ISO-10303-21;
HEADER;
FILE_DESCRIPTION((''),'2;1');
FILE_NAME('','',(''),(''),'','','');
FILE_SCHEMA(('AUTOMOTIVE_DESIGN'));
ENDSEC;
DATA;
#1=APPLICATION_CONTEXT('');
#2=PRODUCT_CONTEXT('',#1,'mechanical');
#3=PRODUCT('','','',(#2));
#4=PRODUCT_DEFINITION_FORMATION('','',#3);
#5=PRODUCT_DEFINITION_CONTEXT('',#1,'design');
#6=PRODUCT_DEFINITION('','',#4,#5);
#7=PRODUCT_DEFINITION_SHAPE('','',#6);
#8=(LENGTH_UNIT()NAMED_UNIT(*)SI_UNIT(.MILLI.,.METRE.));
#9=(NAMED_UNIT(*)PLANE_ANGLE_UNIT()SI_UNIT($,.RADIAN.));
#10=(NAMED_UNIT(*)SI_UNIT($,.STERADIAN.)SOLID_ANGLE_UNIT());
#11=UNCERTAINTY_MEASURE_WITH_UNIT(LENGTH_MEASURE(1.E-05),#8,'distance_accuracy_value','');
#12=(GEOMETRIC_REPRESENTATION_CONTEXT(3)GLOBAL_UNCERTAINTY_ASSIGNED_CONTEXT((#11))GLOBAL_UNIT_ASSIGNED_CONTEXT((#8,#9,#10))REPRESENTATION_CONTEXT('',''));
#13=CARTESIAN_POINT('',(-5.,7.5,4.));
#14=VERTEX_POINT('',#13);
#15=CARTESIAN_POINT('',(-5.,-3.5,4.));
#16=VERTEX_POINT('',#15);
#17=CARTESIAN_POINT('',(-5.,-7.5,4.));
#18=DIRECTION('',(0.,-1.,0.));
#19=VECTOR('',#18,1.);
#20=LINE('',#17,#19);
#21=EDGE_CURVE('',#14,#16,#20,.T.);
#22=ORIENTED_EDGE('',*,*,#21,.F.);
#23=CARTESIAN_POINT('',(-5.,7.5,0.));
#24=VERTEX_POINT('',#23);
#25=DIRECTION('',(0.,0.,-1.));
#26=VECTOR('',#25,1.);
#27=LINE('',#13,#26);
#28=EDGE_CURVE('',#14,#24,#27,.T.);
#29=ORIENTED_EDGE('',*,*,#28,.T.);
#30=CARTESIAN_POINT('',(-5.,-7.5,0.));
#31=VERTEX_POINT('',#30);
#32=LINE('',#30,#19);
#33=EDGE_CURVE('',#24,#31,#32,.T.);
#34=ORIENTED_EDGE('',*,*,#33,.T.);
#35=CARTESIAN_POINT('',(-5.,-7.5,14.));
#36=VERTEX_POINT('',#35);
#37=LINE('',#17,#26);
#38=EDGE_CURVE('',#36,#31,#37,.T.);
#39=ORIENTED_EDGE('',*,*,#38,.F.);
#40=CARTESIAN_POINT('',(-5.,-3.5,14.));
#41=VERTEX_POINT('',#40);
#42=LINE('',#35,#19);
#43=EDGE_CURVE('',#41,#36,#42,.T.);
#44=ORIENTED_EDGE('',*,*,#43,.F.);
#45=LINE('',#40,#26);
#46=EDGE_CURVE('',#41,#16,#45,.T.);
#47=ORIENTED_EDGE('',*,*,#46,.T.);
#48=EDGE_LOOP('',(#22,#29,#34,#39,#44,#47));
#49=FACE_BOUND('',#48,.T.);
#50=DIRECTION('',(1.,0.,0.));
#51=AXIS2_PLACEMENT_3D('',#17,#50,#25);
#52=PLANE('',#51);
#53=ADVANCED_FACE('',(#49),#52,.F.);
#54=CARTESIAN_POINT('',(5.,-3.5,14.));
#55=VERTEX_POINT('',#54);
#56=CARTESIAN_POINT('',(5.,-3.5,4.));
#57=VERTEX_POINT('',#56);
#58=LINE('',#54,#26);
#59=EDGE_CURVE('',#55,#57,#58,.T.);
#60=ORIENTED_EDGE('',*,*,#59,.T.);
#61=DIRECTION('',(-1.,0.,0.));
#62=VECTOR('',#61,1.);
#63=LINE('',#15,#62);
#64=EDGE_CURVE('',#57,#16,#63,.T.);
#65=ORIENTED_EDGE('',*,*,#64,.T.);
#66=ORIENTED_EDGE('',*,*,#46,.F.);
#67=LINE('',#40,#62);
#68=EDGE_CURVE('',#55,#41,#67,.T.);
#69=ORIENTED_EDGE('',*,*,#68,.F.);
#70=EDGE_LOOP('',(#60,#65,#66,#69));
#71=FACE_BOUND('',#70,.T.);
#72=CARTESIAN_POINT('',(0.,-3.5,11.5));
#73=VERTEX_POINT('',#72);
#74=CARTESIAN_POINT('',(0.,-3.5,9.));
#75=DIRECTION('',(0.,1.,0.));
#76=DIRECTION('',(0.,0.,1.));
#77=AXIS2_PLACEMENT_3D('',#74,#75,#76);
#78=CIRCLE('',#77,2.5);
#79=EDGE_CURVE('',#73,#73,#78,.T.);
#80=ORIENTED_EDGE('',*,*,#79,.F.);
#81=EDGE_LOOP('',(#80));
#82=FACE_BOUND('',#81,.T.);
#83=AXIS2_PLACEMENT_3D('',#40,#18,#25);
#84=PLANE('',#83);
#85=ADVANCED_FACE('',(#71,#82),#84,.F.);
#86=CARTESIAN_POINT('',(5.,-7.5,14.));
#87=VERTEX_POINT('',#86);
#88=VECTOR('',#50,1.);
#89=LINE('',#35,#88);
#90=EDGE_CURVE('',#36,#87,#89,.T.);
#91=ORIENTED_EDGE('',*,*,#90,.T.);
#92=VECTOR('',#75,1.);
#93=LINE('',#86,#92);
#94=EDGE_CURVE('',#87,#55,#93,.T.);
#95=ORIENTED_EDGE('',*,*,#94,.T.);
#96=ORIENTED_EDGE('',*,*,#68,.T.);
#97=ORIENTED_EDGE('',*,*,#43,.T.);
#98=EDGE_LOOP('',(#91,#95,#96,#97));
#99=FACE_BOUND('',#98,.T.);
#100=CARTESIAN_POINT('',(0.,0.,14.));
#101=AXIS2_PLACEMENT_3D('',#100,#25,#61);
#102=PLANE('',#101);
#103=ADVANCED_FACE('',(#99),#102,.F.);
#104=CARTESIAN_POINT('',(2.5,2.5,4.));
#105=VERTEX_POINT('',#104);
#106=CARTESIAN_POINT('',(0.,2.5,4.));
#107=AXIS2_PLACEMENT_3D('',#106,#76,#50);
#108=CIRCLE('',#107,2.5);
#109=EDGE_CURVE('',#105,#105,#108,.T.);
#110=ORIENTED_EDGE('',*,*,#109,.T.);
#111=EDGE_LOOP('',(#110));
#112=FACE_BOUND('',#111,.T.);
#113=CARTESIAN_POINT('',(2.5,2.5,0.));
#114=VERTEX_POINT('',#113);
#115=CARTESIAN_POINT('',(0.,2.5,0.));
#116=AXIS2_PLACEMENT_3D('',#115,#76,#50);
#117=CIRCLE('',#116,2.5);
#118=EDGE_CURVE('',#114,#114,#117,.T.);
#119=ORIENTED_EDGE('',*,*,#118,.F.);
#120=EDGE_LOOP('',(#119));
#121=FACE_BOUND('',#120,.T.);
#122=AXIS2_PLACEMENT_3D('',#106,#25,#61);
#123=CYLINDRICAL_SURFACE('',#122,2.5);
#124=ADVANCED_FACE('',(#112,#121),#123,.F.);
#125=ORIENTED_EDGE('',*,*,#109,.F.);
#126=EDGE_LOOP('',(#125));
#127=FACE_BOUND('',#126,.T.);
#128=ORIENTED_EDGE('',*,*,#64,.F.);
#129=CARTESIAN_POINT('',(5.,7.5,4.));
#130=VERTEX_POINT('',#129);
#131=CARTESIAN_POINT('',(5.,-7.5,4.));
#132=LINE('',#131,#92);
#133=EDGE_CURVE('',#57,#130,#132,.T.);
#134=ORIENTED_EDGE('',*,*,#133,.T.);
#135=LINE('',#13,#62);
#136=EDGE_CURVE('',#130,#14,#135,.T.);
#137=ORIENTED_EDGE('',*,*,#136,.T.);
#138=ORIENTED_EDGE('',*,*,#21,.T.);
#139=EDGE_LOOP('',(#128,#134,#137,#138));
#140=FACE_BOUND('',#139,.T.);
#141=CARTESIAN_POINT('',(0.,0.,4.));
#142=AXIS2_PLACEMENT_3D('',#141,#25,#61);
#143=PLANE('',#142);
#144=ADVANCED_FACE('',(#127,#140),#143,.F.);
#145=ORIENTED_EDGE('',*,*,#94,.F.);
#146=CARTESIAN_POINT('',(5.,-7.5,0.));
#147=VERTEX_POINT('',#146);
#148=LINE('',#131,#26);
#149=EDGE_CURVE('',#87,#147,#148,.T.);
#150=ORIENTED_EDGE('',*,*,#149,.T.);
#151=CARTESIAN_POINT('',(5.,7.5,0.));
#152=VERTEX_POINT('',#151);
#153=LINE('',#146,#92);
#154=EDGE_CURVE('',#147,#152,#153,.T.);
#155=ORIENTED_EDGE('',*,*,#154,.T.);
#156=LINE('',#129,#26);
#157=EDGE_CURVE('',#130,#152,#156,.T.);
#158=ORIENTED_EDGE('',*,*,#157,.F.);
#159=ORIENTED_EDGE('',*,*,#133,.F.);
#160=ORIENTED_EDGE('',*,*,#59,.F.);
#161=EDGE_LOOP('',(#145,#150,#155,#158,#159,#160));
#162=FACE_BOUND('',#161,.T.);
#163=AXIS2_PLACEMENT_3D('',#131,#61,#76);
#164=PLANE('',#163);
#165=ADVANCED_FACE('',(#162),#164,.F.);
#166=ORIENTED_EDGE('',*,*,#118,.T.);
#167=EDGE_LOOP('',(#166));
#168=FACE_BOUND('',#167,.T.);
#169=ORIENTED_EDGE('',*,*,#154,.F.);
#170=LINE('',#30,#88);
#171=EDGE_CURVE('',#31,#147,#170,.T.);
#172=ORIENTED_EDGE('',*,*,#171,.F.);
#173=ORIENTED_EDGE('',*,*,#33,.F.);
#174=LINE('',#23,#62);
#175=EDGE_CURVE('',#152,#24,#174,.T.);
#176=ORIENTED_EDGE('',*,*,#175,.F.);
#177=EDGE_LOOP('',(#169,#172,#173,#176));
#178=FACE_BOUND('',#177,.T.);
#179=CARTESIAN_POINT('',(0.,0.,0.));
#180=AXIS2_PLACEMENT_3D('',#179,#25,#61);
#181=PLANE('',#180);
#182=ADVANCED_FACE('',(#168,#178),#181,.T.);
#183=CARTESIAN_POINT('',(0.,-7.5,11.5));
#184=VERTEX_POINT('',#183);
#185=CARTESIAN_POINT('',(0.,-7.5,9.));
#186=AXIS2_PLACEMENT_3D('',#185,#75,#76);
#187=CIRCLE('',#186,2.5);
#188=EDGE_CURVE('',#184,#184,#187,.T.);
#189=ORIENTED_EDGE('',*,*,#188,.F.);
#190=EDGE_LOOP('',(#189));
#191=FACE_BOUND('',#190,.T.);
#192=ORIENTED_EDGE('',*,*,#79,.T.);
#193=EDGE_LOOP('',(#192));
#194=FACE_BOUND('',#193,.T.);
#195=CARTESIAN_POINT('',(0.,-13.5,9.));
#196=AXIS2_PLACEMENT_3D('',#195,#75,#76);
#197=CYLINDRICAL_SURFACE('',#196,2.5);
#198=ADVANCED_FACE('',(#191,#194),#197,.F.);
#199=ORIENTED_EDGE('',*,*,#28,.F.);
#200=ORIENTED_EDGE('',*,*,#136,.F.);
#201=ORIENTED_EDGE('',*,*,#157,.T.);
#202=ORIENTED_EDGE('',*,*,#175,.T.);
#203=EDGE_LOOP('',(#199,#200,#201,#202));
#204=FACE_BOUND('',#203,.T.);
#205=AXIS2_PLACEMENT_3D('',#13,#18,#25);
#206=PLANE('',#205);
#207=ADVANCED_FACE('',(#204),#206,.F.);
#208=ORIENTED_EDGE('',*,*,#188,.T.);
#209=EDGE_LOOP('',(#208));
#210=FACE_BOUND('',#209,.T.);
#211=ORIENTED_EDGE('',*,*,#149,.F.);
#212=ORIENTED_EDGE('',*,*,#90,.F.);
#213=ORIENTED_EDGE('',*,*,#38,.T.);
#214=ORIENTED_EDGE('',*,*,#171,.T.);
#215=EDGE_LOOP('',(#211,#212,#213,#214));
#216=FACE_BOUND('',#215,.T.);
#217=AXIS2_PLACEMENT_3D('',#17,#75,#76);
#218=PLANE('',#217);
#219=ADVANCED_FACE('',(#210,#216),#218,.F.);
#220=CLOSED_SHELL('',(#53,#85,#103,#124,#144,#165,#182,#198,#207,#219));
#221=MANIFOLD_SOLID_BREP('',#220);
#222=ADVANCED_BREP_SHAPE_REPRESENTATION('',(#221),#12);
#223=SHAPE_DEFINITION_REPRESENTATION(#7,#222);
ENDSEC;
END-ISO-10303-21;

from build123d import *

# Parameters (mm, degrees)
SKETCH1_W           = 10
SKETCH1_H           = 15
SKETCH1_R           = 2.5
BOSS_EXTRUDE1_DEPTH = 4
SKETCH2_W           = 10
SKETCH2_H           = 4
BOSS_EXTRUDE2_DEPTH = 10
SKETCH3_R           = 2.5
CUT_EXTRUDE1_DEPTH  = 10


with BuildPart() as part:
    # Sketch1 → Boss-Extrude1 (new body)
    with BuildSketch(Plane.XY):
        Rectangle(SKETCH1_W, SKETCH1_H)
        with Locations((0, 2.5)):
            Circle(SKETCH1_R, mode=Mode.SUBTRACT)
    extrude(amount=BOSS_EXTRUDE1_DEPTH)

    # Sketch2 → Boss-Extrude2 (add)
    with BuildSketch(Plane.XY.offset(4)):
        with Locations((0, -5.5)):
            Rectangle(SKETCH2_W, SKETCH2_H)
    extrude(amount=BOSS_EXTRUDE2_DEPTH)

    # Sketch3 → Cut-Extrude1 (cut)
    with BuildSketch(Plane(origin=(0, -3.5, 0), x_dir=(1, 0, 0), z_dir=(0, 1, 0))):
        with Locations(Location((0, -9, 0), (0, 0, 270))):
            Circle(SKETCH3_R)
    extrude(amount=-CUT_EXTRUDE1_DEPTH, mode=Mode.SUBTRACT)


solid = part.part
